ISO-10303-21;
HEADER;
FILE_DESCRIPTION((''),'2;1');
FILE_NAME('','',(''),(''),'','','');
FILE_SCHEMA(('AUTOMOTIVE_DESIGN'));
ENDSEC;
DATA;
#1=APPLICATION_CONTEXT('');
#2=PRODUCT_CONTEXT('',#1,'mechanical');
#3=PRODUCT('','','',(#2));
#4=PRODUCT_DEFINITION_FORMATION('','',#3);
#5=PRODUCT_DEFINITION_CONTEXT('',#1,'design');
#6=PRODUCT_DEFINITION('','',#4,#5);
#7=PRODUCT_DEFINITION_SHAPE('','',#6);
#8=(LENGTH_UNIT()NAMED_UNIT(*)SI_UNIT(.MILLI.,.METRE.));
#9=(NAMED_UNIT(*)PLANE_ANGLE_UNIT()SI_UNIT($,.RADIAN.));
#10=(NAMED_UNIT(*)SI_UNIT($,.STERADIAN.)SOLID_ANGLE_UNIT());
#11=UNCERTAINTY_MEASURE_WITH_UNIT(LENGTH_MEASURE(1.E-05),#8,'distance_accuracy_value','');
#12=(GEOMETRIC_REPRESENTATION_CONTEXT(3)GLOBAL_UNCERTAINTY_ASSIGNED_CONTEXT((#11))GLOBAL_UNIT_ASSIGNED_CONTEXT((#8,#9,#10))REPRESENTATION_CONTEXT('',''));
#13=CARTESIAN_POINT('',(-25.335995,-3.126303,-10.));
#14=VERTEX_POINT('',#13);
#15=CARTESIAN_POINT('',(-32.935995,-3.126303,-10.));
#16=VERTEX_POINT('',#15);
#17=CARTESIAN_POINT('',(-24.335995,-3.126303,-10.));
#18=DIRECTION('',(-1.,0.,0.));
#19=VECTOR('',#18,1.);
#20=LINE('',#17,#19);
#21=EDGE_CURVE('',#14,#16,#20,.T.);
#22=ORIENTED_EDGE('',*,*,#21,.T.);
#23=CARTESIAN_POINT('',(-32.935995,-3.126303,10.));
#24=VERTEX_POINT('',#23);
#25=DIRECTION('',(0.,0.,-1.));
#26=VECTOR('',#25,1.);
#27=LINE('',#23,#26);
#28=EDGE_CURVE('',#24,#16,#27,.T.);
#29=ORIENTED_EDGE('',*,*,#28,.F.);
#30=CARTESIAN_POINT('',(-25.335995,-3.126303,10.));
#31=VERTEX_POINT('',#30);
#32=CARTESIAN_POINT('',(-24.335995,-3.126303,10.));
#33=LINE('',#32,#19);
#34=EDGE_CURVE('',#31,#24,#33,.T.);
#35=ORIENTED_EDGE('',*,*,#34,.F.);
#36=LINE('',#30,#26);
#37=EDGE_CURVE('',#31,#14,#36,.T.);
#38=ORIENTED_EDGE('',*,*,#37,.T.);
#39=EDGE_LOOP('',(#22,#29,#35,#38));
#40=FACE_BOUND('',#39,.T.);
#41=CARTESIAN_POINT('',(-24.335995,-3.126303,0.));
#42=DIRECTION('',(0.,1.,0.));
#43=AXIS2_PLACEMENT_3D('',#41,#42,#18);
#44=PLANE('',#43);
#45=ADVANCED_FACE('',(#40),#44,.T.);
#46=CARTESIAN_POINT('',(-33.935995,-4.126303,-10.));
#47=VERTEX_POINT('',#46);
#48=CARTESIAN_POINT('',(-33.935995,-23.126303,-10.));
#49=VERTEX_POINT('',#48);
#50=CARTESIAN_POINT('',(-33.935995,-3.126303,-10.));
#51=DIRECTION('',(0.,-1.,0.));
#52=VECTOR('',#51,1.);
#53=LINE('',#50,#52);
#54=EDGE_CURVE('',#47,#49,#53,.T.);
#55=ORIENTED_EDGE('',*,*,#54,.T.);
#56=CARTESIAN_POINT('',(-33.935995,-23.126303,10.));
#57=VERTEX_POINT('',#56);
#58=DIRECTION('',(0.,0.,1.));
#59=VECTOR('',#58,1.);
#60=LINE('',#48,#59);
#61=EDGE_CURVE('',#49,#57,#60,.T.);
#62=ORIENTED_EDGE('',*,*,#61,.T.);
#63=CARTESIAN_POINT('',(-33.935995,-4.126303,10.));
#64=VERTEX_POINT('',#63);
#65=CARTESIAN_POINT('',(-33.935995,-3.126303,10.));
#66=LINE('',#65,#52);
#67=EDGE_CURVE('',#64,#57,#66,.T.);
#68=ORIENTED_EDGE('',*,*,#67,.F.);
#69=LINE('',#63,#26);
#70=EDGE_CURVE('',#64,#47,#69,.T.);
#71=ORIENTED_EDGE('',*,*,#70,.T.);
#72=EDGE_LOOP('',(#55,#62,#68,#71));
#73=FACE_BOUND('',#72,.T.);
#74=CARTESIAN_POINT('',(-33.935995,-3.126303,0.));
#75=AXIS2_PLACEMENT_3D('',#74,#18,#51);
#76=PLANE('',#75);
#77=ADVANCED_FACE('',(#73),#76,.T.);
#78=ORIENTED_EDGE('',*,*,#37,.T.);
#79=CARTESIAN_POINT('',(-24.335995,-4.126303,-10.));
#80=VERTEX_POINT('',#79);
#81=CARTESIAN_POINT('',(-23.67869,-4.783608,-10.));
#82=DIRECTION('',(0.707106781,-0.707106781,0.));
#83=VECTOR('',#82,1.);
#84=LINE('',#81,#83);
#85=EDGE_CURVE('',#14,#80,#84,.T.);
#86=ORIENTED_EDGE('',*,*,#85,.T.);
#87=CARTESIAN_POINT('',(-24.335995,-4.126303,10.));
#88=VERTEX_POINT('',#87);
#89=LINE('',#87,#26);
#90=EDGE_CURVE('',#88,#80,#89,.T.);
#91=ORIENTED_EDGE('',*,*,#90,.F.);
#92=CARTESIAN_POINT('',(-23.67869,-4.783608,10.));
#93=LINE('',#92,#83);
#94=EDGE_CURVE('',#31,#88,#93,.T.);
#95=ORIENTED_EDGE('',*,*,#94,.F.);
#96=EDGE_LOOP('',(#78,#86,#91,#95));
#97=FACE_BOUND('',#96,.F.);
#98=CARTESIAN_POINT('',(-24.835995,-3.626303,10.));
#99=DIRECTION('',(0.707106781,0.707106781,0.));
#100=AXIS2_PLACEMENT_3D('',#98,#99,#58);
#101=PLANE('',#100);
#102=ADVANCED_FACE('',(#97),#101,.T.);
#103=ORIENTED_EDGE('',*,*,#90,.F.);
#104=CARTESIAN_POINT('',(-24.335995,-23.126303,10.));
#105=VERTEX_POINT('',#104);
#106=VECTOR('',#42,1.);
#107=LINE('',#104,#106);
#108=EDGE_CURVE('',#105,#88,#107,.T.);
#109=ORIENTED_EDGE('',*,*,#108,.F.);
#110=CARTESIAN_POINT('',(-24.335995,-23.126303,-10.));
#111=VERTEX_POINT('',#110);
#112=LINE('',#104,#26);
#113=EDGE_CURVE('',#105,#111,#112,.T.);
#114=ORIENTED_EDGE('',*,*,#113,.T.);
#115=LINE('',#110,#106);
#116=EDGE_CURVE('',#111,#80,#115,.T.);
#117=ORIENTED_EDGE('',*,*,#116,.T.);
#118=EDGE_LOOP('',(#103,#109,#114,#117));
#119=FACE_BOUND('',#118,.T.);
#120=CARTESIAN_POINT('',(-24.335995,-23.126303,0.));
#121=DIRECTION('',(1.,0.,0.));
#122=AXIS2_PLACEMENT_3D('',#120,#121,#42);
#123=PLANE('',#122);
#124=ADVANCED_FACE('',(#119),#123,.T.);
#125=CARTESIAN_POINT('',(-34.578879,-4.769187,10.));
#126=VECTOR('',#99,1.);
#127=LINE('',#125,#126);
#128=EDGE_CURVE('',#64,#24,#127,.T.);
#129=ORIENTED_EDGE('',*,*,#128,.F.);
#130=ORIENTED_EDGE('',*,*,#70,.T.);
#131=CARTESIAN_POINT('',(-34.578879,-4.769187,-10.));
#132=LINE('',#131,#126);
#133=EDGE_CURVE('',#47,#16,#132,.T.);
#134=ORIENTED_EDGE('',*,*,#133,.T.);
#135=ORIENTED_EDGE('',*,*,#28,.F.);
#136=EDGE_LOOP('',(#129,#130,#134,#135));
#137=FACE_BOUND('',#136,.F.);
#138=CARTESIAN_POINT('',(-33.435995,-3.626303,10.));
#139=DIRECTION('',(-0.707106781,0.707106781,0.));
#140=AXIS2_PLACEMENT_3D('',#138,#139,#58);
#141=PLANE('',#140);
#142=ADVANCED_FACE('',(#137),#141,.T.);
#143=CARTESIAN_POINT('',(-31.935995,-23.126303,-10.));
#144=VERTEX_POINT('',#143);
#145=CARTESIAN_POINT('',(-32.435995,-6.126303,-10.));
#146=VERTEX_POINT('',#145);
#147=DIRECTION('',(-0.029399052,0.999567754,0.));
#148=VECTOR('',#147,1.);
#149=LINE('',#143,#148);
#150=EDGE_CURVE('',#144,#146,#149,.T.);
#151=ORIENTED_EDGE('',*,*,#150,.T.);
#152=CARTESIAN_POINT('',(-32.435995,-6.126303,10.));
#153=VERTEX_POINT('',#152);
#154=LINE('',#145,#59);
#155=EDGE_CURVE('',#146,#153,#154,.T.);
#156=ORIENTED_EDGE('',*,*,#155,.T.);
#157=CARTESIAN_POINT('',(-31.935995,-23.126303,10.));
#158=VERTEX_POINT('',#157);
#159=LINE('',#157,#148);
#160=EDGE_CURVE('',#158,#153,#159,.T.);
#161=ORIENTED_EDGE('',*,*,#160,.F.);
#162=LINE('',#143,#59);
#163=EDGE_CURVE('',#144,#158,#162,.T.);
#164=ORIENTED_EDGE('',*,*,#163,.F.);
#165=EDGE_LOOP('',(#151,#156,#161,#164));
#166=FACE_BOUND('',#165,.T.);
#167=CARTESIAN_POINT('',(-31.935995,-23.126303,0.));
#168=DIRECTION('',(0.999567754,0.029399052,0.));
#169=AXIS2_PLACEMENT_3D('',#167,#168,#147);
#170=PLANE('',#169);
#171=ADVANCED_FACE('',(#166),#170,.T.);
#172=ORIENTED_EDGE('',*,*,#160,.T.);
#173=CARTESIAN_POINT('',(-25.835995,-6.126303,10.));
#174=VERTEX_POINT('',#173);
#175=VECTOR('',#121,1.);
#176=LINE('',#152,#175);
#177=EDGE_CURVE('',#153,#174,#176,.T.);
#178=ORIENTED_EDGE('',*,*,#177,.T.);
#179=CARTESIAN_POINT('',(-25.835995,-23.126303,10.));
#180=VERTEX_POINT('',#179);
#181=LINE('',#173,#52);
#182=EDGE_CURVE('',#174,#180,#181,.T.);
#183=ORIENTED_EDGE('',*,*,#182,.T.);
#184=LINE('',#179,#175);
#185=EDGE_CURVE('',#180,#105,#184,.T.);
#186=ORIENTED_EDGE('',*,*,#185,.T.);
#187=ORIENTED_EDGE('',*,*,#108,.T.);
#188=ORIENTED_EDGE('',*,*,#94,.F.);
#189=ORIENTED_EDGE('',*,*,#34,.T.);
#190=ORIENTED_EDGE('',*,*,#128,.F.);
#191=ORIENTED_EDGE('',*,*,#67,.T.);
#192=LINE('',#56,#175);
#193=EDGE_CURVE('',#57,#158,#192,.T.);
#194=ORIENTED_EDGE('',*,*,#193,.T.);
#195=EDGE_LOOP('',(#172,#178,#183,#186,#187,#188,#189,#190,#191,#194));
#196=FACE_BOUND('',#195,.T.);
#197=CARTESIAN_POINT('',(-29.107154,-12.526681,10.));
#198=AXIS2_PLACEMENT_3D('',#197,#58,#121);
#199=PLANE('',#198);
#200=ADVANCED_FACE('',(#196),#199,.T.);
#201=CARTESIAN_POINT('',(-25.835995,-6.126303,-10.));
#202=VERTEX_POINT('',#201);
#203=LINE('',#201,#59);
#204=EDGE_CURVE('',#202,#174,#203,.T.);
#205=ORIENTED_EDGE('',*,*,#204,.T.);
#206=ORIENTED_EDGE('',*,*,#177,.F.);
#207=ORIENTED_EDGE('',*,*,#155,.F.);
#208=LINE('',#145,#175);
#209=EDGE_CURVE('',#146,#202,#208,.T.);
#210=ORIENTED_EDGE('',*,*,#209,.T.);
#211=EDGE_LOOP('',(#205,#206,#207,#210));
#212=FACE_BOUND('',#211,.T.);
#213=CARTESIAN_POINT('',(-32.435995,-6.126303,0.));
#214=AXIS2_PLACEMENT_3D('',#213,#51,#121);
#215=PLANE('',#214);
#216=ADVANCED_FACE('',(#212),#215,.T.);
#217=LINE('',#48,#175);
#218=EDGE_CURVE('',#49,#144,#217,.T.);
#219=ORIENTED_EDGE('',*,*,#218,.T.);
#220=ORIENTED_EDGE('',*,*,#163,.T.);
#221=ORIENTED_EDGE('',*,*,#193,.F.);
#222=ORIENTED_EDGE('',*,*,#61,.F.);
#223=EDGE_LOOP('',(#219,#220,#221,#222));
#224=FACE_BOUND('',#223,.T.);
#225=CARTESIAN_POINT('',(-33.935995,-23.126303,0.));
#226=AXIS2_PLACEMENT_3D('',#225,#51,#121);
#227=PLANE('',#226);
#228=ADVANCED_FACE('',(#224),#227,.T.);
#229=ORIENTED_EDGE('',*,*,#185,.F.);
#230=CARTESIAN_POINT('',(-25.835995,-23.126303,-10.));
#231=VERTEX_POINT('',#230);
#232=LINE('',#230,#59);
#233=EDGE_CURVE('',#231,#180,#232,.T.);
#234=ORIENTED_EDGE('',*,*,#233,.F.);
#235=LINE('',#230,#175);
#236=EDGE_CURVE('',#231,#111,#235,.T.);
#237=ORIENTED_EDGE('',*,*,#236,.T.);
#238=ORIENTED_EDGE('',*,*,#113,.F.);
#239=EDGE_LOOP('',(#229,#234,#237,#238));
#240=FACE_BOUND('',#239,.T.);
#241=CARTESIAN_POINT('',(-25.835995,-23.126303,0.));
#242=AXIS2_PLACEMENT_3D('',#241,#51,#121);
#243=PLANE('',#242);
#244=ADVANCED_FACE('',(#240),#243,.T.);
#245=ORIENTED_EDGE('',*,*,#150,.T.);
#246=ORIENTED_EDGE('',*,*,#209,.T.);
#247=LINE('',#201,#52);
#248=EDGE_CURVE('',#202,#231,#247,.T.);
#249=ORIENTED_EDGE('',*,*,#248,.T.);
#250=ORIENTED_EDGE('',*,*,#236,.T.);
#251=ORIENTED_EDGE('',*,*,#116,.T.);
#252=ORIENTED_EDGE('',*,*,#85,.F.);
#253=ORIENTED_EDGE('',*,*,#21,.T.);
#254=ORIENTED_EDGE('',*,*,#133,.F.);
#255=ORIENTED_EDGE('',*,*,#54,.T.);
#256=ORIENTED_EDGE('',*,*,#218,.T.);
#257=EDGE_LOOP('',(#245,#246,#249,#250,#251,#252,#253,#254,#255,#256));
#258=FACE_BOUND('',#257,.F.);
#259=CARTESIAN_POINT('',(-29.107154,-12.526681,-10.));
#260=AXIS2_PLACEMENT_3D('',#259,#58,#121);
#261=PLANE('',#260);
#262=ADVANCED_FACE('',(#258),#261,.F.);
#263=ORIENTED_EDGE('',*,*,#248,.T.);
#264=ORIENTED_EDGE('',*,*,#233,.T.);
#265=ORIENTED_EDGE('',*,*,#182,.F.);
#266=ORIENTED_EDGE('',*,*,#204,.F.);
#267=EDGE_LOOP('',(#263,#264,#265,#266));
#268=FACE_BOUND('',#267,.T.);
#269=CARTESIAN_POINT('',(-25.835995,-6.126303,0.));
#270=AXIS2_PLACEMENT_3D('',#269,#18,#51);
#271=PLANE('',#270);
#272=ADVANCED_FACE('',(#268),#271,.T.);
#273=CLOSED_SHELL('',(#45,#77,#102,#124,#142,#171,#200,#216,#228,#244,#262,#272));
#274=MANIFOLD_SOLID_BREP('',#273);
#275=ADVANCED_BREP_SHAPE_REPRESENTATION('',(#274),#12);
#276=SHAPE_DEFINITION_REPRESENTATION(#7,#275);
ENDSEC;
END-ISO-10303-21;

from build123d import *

# Parameters (mm, degrees)
F1_DEPTH = 10
F2_SIZE  = 1


with BuildPart() as f1:
    # F0 (on Top) → F1 (new body, symmetric)
    with BuildSketch(Plane.XY):
        Polygon((-33.935995, -3.126303), (-33.935995, -23.126303), (-31.935995, -23.126303), (-32.435995, -6.126303), (-25.835995, -6.126303), (-25.835995, -23.126303), (-24.335995, -23.126303), (-24.335995, -3.126303), align=None)
    extrude(amount=F1_DEPTH, both=True)

    # F2
    f2_edges = [f1.edges().sort_by_distance(p)[0] for p in [
        (-33.935995, -3.126303, 0),
        (-24.335995, -3.126303, 0),
    ]]
    chamfer(f2_edges, length=F2_SIZE)


solid = f1.part
